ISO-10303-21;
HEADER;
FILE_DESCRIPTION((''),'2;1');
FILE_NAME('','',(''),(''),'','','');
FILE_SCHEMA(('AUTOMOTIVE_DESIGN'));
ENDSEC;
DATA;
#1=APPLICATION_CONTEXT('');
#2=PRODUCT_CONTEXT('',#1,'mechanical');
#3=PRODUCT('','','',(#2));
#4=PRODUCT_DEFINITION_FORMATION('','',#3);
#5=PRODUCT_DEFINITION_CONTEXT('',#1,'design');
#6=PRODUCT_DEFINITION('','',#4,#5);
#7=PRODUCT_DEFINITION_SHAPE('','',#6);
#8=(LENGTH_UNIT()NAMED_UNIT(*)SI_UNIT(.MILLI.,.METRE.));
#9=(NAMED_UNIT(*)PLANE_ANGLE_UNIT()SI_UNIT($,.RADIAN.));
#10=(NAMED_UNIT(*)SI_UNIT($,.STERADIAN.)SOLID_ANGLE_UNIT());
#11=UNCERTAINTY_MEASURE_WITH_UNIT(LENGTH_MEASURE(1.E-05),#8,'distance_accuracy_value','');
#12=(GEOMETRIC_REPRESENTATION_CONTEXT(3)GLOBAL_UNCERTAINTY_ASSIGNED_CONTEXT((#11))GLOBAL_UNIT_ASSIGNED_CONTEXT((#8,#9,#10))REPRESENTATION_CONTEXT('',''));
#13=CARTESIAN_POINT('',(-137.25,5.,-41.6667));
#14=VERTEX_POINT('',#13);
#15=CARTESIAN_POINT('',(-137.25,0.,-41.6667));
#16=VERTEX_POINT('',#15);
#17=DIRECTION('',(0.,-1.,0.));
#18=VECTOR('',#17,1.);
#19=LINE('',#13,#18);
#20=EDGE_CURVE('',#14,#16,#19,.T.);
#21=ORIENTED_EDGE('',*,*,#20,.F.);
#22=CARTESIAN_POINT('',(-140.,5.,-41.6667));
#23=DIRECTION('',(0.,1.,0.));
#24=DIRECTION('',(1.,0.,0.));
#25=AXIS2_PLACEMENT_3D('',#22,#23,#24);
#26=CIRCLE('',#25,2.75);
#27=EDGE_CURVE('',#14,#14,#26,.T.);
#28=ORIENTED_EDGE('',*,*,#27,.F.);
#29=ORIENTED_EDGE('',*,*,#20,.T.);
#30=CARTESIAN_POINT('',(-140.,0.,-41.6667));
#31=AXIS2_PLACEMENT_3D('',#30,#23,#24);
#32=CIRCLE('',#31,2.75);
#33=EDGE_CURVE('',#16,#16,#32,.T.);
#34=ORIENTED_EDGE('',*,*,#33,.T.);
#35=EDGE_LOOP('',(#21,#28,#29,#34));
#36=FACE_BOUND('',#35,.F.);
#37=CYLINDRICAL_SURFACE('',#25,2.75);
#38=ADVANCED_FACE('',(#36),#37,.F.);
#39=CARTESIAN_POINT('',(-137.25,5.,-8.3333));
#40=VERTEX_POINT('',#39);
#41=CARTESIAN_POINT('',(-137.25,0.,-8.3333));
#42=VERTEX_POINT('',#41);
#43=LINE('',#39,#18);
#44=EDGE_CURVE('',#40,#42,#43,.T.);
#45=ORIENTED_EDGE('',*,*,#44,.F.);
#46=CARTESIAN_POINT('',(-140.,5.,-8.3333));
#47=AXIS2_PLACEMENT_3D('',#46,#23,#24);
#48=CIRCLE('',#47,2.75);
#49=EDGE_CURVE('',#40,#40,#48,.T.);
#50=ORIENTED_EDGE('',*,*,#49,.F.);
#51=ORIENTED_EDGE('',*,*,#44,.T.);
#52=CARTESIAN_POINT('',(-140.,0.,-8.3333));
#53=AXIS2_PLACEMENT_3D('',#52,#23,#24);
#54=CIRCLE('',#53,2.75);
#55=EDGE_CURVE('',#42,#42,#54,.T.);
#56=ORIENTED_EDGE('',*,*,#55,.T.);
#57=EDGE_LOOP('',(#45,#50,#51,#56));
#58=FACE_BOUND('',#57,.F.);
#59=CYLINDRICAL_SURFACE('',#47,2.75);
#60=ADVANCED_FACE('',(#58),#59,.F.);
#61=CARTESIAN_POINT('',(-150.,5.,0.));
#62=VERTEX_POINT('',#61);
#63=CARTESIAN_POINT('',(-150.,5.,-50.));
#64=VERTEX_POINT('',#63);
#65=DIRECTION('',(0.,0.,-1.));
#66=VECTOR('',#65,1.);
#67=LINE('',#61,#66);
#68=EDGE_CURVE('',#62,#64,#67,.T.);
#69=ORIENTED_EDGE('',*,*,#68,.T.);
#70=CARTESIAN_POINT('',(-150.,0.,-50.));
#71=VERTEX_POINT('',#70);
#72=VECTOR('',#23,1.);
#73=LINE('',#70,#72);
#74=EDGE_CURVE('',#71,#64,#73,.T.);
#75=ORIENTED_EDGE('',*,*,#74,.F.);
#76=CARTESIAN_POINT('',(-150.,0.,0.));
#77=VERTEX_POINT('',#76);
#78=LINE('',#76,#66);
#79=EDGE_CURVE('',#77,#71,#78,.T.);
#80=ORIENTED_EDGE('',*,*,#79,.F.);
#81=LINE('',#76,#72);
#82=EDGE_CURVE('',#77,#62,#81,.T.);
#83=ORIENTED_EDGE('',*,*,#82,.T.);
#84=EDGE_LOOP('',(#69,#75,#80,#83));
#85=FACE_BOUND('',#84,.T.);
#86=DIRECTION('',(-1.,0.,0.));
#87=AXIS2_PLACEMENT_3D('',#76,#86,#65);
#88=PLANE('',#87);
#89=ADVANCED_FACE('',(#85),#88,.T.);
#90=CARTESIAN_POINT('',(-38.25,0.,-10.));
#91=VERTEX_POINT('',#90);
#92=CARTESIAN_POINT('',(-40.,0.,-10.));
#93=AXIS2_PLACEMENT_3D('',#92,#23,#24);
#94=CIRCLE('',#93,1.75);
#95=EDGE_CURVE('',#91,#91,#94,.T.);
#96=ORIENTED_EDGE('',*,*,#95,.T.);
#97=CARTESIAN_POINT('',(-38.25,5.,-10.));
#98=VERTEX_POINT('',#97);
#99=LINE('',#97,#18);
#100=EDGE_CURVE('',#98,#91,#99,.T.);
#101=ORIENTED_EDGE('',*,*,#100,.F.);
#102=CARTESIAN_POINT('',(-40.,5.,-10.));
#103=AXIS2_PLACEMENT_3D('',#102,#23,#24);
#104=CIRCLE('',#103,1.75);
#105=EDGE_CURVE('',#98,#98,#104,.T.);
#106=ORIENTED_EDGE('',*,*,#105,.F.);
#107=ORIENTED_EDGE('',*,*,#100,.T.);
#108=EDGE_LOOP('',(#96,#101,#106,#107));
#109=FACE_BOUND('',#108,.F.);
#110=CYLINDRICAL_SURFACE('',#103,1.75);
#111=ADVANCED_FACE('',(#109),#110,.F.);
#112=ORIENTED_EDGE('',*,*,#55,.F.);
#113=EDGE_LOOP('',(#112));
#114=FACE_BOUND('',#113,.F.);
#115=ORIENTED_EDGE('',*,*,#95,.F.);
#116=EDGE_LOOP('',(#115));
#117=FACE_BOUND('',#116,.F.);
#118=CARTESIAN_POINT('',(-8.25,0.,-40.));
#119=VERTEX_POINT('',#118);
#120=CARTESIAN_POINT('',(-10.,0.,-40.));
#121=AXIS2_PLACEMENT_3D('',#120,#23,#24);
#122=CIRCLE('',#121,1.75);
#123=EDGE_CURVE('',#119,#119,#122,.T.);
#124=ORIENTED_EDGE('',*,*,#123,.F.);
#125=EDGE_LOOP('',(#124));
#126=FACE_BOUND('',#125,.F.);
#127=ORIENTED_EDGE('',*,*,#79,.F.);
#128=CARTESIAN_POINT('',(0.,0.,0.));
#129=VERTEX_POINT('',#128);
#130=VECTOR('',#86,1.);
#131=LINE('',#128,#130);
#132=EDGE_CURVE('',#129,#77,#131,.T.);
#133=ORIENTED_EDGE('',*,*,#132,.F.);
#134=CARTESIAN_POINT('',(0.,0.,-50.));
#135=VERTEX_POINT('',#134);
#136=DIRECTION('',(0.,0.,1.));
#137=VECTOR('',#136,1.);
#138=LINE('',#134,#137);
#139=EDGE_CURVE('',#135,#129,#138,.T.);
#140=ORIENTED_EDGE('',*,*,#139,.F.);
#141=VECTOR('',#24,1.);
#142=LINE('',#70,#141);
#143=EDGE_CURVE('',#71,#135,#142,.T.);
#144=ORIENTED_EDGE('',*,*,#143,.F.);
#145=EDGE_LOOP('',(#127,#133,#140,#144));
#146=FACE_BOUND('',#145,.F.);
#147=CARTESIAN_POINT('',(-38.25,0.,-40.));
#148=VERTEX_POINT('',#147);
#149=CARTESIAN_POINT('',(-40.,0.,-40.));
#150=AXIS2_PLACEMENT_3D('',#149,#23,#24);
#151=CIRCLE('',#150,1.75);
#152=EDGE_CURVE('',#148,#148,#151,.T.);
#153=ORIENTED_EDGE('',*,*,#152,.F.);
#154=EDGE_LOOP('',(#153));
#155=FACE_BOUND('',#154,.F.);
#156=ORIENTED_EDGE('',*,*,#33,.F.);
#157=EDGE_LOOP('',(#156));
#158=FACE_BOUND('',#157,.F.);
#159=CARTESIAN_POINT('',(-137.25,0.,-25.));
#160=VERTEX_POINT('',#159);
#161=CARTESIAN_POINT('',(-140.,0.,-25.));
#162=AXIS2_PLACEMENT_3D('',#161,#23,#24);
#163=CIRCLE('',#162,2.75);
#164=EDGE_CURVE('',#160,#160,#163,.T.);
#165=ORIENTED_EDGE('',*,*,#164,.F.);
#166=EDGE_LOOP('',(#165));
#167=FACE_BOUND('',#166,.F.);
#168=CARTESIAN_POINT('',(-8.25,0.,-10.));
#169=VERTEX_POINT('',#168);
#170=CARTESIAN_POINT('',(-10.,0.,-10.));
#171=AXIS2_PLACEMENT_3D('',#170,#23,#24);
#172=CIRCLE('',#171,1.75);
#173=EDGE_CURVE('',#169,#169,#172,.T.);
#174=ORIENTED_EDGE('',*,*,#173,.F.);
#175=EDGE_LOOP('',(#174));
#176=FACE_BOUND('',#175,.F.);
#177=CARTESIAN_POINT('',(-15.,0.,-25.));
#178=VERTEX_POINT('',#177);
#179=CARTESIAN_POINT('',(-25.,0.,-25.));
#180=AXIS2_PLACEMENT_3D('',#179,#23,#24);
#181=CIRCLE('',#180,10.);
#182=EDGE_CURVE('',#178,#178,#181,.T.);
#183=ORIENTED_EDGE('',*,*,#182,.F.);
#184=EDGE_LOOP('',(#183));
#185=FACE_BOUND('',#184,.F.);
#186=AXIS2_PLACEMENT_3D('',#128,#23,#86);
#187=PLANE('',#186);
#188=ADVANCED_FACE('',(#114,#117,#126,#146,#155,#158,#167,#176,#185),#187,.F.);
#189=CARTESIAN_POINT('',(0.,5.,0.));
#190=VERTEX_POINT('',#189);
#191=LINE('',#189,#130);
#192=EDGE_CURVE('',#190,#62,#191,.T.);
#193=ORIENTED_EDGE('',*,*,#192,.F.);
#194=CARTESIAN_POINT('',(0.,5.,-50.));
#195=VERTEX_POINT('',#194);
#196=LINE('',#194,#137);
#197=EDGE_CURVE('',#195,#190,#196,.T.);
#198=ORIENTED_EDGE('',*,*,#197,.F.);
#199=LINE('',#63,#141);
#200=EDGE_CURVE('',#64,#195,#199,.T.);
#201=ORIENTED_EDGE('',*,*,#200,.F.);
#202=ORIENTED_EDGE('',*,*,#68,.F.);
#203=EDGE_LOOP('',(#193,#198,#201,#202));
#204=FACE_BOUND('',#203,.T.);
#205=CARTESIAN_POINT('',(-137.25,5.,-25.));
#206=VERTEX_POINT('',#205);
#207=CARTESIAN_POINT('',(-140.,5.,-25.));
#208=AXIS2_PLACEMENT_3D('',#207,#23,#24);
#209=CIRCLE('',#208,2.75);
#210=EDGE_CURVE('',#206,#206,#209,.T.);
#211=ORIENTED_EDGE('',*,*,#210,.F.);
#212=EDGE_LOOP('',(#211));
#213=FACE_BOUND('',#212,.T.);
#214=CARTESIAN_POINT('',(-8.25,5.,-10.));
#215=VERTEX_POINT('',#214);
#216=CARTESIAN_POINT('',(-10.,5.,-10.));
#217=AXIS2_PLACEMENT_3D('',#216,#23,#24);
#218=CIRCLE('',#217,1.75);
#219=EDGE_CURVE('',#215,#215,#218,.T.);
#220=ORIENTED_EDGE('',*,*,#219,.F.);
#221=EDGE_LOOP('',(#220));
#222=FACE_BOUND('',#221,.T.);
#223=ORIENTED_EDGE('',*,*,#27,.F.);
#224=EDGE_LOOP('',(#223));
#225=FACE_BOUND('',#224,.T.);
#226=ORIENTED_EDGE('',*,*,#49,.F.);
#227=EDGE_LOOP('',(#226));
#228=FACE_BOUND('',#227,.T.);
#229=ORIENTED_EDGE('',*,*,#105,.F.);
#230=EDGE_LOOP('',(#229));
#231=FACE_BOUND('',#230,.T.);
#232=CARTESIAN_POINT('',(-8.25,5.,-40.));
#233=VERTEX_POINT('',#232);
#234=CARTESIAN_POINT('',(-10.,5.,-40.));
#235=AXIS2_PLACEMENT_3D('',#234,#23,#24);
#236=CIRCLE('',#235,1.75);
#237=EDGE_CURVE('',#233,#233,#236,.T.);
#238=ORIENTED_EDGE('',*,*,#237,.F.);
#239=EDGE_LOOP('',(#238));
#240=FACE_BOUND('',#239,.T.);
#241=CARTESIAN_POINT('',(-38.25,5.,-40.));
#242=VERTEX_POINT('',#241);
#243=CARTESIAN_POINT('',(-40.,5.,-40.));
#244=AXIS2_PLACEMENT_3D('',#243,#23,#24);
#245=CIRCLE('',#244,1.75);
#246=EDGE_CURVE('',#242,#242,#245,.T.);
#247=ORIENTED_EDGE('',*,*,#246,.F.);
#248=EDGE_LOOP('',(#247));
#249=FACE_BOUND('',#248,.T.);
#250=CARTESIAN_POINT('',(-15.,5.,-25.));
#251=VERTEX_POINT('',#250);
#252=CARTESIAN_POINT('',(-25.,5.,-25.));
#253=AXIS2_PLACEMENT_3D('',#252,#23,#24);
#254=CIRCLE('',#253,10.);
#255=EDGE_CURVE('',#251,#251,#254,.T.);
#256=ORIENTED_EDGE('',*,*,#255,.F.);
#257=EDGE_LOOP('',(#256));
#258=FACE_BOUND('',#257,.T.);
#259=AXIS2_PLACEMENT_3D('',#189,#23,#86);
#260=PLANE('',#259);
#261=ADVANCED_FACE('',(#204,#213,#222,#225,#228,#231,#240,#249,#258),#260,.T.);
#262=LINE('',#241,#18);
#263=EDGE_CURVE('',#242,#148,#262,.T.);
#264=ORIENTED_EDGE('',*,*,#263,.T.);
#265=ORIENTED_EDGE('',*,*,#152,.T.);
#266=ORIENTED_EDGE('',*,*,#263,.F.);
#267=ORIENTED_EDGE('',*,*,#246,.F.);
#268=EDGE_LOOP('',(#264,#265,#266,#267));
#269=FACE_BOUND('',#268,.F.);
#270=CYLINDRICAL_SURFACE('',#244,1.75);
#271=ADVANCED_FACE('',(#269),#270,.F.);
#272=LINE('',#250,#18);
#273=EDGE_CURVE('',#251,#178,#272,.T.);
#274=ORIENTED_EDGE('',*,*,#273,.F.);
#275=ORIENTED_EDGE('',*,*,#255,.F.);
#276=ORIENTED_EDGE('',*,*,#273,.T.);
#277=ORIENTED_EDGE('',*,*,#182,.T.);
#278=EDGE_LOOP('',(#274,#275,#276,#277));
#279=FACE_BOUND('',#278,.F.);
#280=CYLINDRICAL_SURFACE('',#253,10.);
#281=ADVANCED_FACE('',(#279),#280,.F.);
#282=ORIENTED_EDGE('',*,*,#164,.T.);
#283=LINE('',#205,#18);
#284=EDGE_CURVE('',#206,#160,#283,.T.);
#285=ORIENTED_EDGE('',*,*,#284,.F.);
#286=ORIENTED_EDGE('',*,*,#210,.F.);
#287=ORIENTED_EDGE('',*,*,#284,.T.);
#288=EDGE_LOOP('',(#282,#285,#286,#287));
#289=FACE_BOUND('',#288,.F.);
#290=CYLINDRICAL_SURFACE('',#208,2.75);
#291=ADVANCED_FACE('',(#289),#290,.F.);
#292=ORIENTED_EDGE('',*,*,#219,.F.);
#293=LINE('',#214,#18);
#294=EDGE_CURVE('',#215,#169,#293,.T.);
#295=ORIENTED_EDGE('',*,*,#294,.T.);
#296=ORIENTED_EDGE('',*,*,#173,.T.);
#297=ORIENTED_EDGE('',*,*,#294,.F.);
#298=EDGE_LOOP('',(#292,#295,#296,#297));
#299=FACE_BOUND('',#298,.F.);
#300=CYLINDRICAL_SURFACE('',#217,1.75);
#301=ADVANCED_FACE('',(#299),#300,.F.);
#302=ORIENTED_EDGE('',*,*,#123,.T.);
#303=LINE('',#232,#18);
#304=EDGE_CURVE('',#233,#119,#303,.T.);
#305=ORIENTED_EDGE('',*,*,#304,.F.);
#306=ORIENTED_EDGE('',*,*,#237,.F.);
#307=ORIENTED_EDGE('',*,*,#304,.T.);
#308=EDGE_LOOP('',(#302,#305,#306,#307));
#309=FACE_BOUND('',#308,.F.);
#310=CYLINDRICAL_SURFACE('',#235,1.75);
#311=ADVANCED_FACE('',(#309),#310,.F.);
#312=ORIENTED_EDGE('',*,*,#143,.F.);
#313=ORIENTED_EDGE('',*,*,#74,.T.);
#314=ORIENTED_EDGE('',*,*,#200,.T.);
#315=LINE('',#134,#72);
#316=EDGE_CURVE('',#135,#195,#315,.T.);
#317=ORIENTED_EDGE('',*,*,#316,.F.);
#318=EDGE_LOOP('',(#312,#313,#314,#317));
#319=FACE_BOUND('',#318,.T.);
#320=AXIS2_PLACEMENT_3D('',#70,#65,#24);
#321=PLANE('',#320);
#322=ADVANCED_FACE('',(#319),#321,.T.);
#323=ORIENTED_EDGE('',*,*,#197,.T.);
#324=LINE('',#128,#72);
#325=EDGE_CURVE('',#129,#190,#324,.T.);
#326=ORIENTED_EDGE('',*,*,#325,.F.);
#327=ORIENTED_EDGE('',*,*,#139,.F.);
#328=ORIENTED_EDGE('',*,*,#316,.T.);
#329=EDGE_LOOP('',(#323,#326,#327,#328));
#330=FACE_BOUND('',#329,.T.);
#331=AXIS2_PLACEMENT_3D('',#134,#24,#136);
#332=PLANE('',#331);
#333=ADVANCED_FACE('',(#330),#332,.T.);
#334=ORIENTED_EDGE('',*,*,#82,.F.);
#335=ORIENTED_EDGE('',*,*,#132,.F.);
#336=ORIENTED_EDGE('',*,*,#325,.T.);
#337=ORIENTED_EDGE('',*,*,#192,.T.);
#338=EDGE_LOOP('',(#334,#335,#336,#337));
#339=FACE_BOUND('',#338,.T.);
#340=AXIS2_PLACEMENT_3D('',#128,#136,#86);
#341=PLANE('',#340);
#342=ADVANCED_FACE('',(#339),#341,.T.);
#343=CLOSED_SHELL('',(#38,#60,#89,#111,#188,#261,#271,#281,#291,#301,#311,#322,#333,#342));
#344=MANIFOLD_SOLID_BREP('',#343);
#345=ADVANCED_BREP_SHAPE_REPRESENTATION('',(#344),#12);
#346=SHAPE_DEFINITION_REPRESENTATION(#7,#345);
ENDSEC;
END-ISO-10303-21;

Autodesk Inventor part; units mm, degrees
ref_plane "YZ Plane" through (0, 0, 0) normal (1, 0, 0) x (0, 1, 0)
ref_plane "XZ Plane" through (0, 0, 0) normal (0, 1, 0) x (-1, 0, 0)
ref_plane "XY Plane" through (0, 0, 0) normal (0, 0, 1) x (1, 0, 0)
sketch "Sketch1" plane through (0, 0, 0) normal (0, 1, 0) x (-1, 0, 0)
  line L0 (0, 0) -> (150, 0)
  line L1 (150, 0) -> (150, -50)
  line L2 (150, -50) -> (0, -50)
  line L3 (0, -50) -> (0, 0)
  dimension "d0" = 150
  dimension "d1" = 50
extrude "Extrusion1" add sketch "Sketch1" along normal blind 5
sketch "Sketch2" plane through (0, 5, 0) normal (0, 1, 0) x (1, 0, 0)
  line L0 (-150, 0) -> (0, 0) projected
  line L1 (0, 0) -> (0, 50) projected
  line L2 (0, 50) -> (-150, 50) projected
  line L3 (-150, 50) -> (-150, 0) projected
  circle A0 centre (-140, 41.6667) radius 2.75
  circle A1 centre (-140, 25) radius 2.75
  circle A2 centre (-140, 8.3333) radius 2.75
  circle A3 centre (-40, 10) radius 1.75
  circle A4 centre (-40, 40) radius 1.75
  circle A5 centre (-10, 10) radius 1.75
  circle A6 centre (-10, 40) radius 1.75
  circle A7 centre (-25, 25) radius 10
  dimension "d4" = 5.5
  dimension "d5" = 50
  dimension "d6" = 8.3333
  dimension "d7" = 10
  dimension "d10" = 16.6667
  dimension "d16" = 3.5
  dimension "d19" = 30
  dimension "d22" = 30
  dimension "d25" = 10
  dimension "d26" = 10
  dimension "d27" = 20
  dimension "d28" = 25
  dimension "d29" = 25
extrude "Extrusion2" cut sketch "Sketch2" against normal blind 5 contours A0 | A1 | A2 | A3 | A4 | A5 | A6 | A7
equation "\"d6\" = 0.166667 * d5"
equation "\"d10\" = 2 * d6"
equation "\"d22\" = d19"
equation "\"d25\" = -0.5 * d19 + 0.5 * d5"
equation "\"d26\" = d25"
equation "\"d28\" = 0.5 * d5"
equation "\"d29\" = d28"
properties part number "MotorPlateOld"
